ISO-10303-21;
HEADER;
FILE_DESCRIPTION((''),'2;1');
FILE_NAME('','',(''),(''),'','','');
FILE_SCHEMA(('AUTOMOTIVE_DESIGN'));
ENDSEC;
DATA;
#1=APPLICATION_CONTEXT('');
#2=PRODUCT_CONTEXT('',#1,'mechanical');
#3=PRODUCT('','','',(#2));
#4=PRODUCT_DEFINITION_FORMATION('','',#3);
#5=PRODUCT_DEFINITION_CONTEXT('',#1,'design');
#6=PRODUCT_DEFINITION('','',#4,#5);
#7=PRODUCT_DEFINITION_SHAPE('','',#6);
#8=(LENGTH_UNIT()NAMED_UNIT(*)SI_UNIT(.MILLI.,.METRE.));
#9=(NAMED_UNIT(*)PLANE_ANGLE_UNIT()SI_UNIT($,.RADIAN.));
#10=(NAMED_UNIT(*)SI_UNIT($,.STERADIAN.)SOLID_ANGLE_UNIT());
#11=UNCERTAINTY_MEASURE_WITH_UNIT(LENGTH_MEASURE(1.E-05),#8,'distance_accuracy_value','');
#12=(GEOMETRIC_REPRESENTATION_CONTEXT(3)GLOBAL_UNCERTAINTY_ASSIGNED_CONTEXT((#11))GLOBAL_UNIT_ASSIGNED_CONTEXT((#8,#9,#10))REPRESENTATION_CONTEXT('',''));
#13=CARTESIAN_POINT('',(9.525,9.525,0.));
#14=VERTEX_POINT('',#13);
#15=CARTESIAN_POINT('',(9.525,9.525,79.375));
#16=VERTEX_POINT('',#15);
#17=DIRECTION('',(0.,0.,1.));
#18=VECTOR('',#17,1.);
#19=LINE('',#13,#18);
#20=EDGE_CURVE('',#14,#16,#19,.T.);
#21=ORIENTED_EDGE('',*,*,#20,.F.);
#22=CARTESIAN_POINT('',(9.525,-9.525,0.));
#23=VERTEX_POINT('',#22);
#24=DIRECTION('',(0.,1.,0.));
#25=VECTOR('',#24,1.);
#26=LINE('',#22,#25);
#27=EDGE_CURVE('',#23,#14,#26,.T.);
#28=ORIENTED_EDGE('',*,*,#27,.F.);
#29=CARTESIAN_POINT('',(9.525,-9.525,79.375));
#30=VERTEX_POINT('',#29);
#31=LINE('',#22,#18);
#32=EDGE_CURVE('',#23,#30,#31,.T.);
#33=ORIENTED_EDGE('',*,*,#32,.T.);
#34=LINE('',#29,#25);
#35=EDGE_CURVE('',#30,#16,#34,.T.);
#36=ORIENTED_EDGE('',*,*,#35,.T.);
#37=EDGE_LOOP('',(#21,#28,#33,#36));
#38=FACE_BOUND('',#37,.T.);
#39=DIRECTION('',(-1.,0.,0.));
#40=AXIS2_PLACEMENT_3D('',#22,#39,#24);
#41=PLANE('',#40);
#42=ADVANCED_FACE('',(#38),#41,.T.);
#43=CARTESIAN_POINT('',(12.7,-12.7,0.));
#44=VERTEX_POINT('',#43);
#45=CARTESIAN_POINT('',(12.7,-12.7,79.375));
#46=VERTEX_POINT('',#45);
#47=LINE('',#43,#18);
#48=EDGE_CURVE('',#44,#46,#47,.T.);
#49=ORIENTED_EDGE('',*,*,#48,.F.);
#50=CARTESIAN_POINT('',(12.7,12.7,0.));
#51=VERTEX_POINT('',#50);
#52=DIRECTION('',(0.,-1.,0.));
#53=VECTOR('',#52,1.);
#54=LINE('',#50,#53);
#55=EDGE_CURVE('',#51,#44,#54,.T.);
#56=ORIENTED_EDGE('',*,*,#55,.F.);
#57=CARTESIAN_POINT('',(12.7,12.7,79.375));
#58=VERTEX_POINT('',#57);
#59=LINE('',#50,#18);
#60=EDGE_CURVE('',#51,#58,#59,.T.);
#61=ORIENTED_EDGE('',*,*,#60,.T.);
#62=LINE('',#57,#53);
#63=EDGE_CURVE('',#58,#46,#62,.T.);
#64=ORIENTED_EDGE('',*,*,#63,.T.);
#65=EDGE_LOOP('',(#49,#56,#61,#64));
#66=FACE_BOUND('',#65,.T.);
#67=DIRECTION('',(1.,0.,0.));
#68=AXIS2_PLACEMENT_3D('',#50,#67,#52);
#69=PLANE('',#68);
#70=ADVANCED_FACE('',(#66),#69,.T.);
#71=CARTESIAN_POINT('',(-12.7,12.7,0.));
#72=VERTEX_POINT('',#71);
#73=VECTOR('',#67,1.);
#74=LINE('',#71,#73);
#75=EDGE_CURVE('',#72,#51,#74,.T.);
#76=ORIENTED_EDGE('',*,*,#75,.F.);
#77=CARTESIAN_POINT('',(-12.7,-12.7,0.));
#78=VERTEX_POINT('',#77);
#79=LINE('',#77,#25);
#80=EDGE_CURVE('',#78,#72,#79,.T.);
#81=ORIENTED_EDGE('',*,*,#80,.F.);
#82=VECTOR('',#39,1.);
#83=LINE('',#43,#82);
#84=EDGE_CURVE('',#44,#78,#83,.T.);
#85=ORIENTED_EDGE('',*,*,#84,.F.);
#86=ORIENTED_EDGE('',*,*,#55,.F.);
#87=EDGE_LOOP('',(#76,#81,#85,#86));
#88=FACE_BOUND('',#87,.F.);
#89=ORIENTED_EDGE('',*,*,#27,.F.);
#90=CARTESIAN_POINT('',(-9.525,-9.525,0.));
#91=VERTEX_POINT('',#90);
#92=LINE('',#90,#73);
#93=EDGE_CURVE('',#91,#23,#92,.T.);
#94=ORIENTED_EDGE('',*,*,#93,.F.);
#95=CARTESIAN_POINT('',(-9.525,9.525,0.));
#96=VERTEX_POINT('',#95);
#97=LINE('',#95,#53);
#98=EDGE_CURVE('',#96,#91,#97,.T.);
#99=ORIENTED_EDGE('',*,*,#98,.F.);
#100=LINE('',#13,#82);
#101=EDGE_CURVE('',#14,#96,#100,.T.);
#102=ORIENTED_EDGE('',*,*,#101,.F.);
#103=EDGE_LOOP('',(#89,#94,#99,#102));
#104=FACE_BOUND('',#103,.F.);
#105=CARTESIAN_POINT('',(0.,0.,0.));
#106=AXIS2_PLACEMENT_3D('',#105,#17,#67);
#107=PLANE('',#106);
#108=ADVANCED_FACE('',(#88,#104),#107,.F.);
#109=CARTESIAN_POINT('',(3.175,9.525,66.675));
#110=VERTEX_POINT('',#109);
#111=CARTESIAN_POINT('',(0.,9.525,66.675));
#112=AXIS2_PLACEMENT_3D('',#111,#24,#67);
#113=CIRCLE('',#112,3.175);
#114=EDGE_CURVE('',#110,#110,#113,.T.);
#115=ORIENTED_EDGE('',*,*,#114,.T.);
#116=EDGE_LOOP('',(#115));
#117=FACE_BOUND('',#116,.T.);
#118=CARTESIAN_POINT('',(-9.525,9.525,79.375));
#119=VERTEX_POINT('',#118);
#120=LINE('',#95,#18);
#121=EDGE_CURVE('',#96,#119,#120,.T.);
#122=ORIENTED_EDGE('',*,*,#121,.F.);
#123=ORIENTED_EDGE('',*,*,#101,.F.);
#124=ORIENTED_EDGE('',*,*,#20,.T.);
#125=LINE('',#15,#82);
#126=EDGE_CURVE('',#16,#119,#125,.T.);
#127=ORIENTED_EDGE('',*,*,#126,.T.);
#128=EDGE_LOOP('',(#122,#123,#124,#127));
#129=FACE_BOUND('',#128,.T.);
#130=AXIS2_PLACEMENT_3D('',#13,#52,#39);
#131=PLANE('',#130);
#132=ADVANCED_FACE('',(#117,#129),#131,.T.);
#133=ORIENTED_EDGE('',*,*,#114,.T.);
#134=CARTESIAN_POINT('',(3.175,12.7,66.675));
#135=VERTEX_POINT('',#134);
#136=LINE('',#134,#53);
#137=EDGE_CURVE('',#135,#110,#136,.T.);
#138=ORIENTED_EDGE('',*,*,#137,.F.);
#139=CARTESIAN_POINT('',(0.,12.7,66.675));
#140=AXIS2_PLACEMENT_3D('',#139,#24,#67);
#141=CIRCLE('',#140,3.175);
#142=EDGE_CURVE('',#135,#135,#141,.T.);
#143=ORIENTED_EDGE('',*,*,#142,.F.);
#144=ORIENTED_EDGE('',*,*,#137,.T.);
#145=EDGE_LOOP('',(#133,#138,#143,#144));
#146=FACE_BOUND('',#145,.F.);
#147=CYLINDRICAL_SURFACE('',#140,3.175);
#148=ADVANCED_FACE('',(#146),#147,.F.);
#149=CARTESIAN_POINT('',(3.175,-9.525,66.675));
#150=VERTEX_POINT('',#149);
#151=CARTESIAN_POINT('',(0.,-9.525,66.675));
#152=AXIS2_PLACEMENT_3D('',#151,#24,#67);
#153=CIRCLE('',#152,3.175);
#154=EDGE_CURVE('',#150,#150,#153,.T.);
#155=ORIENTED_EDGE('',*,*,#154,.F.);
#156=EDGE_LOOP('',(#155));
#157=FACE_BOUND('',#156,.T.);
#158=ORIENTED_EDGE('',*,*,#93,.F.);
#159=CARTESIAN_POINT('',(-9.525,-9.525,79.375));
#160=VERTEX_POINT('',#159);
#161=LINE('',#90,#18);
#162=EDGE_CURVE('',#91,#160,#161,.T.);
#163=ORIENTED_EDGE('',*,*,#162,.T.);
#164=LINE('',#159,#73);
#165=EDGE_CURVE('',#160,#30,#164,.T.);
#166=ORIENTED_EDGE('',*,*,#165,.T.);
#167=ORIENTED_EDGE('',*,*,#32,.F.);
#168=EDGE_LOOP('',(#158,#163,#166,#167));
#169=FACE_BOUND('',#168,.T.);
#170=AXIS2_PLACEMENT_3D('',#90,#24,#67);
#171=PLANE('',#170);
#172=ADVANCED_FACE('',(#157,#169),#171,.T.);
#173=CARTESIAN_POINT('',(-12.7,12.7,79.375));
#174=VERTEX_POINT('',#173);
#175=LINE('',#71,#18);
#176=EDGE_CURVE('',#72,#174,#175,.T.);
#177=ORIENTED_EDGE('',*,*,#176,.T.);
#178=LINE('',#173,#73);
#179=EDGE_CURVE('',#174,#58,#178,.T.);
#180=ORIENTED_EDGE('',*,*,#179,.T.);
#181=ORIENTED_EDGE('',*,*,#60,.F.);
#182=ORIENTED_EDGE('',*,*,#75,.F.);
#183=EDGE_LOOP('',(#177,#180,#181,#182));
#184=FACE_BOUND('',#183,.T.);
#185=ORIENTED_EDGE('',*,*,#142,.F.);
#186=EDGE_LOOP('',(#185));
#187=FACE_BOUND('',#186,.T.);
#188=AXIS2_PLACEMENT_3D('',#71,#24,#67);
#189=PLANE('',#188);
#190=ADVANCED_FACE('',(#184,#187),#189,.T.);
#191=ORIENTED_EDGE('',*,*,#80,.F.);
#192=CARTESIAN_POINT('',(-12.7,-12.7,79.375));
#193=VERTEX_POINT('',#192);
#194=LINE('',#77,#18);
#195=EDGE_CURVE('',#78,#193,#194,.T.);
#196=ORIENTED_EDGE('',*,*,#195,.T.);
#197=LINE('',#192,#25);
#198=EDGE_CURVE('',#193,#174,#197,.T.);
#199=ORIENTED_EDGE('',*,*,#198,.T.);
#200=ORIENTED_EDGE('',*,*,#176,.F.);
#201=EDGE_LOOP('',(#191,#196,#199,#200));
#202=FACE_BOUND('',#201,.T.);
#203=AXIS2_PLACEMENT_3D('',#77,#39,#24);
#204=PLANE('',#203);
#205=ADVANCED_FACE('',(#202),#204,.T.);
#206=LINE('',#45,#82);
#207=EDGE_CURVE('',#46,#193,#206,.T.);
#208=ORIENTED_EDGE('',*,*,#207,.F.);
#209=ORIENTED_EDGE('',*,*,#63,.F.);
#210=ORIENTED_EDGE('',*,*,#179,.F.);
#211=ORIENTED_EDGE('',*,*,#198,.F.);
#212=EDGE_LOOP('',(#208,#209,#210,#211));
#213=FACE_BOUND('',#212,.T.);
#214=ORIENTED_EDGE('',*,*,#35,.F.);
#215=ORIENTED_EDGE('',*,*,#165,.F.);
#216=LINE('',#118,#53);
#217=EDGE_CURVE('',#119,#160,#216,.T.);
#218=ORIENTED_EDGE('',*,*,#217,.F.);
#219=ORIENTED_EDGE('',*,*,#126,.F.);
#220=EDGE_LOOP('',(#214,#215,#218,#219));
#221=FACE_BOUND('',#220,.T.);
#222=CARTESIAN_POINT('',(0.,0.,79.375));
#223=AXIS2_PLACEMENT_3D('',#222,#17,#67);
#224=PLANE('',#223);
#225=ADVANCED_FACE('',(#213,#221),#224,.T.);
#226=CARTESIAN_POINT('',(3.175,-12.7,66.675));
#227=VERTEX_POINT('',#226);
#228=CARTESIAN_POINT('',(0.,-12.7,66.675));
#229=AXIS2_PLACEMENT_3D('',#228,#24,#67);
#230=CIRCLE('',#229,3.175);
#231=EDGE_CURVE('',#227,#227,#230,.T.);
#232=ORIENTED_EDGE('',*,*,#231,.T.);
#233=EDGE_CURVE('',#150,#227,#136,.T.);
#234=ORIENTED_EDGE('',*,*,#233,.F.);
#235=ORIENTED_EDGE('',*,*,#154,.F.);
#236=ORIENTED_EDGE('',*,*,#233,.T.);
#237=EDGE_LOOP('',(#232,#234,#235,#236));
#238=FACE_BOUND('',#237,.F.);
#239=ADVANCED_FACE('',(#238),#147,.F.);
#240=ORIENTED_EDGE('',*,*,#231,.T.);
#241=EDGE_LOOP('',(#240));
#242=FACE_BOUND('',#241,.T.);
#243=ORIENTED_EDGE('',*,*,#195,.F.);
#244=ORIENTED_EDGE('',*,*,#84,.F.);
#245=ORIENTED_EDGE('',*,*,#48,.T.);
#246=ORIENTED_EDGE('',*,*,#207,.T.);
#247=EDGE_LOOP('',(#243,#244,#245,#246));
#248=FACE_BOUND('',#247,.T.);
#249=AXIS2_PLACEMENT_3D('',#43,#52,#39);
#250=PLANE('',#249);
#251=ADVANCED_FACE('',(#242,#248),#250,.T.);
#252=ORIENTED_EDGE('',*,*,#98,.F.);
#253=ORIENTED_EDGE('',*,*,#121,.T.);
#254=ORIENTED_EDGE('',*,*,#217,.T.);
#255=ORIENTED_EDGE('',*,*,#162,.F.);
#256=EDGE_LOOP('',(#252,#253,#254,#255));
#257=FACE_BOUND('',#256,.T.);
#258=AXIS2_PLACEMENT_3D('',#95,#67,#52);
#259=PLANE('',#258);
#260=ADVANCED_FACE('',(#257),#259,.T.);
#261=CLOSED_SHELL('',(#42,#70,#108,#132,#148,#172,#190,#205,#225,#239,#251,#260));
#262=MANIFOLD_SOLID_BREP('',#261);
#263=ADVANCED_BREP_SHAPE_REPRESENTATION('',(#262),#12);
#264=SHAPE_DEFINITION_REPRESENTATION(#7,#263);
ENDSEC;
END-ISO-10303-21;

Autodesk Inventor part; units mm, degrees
ref_plane "YZ Plane" through (0, 0, 0) normal (1, 0, 0) x (0, 1, 0)
ref_plane "XZ Plane" through (0, 0, 0) normal (0, 1, 0) x (-1, 0, 0)
ref_plane "XY Plane" through (0, 0, 0) normal (0, 0, 1) x (1, 0, 0)
sketch "Sketch1" plane through (0, 0, 0) normal (0, 0, 1) x (1, 0, 0)
  line L0 (-12.7, 12.7) -> (12.7, 12.7)
  line L1 (12.7, 12.7) -> (12.7, -12.7)
  line L2 (12.7, -12.7) -> (-12.7, -12.7)
  line L3 (-12.7, -12.7) -> (-12.7, 12.7)
  line L4 (-9.525, -9.525) -> (9.525, -9.525)
  line L5 (9.525, -9.525) -> (9.525, 9.525)
  line L6 (9.525, 9.525) -> (-9.525, 9.525)
  line L7 (-9.525, 9.525) -> (-9.525, -9.525)
  point P0 (0, 0)
  dimension "d0" = 25.4
  dimension "d1" = 25.4
  dimension "d2" = 12.7
  dimension "d3" = 12.7
  dimension "d4" = 3.175
  dimension "d5" = 3.175
  dimension "d6" = 3.175
  dimension "d7" = 3.175
extrude "Extrusion1" add sketch "Sketch1" along normal blind 79.375
sketch "Sketch3" plane through (-12.7, 12.7, 0) normal (0, 1, 0) x (1, 0, 0)
  line L0 (25.4, 0) -> (25.4, -79.375) projected
  line L1 (0, 0) -> (25.4, 0) projected
  circle A0 centre (12.7, -66.675) radius 3.175
  point P0 (25.4, -158.75)
  point P1 (12.7, 0)
  dimension "d13" = 66.675
  dimension "d14" = 12.7
  dimension "d15" = 6.35
extrude "Extrusion3" cut sketch "Sketch3" against normal blind 25.4
properties part number "edge frame short"
